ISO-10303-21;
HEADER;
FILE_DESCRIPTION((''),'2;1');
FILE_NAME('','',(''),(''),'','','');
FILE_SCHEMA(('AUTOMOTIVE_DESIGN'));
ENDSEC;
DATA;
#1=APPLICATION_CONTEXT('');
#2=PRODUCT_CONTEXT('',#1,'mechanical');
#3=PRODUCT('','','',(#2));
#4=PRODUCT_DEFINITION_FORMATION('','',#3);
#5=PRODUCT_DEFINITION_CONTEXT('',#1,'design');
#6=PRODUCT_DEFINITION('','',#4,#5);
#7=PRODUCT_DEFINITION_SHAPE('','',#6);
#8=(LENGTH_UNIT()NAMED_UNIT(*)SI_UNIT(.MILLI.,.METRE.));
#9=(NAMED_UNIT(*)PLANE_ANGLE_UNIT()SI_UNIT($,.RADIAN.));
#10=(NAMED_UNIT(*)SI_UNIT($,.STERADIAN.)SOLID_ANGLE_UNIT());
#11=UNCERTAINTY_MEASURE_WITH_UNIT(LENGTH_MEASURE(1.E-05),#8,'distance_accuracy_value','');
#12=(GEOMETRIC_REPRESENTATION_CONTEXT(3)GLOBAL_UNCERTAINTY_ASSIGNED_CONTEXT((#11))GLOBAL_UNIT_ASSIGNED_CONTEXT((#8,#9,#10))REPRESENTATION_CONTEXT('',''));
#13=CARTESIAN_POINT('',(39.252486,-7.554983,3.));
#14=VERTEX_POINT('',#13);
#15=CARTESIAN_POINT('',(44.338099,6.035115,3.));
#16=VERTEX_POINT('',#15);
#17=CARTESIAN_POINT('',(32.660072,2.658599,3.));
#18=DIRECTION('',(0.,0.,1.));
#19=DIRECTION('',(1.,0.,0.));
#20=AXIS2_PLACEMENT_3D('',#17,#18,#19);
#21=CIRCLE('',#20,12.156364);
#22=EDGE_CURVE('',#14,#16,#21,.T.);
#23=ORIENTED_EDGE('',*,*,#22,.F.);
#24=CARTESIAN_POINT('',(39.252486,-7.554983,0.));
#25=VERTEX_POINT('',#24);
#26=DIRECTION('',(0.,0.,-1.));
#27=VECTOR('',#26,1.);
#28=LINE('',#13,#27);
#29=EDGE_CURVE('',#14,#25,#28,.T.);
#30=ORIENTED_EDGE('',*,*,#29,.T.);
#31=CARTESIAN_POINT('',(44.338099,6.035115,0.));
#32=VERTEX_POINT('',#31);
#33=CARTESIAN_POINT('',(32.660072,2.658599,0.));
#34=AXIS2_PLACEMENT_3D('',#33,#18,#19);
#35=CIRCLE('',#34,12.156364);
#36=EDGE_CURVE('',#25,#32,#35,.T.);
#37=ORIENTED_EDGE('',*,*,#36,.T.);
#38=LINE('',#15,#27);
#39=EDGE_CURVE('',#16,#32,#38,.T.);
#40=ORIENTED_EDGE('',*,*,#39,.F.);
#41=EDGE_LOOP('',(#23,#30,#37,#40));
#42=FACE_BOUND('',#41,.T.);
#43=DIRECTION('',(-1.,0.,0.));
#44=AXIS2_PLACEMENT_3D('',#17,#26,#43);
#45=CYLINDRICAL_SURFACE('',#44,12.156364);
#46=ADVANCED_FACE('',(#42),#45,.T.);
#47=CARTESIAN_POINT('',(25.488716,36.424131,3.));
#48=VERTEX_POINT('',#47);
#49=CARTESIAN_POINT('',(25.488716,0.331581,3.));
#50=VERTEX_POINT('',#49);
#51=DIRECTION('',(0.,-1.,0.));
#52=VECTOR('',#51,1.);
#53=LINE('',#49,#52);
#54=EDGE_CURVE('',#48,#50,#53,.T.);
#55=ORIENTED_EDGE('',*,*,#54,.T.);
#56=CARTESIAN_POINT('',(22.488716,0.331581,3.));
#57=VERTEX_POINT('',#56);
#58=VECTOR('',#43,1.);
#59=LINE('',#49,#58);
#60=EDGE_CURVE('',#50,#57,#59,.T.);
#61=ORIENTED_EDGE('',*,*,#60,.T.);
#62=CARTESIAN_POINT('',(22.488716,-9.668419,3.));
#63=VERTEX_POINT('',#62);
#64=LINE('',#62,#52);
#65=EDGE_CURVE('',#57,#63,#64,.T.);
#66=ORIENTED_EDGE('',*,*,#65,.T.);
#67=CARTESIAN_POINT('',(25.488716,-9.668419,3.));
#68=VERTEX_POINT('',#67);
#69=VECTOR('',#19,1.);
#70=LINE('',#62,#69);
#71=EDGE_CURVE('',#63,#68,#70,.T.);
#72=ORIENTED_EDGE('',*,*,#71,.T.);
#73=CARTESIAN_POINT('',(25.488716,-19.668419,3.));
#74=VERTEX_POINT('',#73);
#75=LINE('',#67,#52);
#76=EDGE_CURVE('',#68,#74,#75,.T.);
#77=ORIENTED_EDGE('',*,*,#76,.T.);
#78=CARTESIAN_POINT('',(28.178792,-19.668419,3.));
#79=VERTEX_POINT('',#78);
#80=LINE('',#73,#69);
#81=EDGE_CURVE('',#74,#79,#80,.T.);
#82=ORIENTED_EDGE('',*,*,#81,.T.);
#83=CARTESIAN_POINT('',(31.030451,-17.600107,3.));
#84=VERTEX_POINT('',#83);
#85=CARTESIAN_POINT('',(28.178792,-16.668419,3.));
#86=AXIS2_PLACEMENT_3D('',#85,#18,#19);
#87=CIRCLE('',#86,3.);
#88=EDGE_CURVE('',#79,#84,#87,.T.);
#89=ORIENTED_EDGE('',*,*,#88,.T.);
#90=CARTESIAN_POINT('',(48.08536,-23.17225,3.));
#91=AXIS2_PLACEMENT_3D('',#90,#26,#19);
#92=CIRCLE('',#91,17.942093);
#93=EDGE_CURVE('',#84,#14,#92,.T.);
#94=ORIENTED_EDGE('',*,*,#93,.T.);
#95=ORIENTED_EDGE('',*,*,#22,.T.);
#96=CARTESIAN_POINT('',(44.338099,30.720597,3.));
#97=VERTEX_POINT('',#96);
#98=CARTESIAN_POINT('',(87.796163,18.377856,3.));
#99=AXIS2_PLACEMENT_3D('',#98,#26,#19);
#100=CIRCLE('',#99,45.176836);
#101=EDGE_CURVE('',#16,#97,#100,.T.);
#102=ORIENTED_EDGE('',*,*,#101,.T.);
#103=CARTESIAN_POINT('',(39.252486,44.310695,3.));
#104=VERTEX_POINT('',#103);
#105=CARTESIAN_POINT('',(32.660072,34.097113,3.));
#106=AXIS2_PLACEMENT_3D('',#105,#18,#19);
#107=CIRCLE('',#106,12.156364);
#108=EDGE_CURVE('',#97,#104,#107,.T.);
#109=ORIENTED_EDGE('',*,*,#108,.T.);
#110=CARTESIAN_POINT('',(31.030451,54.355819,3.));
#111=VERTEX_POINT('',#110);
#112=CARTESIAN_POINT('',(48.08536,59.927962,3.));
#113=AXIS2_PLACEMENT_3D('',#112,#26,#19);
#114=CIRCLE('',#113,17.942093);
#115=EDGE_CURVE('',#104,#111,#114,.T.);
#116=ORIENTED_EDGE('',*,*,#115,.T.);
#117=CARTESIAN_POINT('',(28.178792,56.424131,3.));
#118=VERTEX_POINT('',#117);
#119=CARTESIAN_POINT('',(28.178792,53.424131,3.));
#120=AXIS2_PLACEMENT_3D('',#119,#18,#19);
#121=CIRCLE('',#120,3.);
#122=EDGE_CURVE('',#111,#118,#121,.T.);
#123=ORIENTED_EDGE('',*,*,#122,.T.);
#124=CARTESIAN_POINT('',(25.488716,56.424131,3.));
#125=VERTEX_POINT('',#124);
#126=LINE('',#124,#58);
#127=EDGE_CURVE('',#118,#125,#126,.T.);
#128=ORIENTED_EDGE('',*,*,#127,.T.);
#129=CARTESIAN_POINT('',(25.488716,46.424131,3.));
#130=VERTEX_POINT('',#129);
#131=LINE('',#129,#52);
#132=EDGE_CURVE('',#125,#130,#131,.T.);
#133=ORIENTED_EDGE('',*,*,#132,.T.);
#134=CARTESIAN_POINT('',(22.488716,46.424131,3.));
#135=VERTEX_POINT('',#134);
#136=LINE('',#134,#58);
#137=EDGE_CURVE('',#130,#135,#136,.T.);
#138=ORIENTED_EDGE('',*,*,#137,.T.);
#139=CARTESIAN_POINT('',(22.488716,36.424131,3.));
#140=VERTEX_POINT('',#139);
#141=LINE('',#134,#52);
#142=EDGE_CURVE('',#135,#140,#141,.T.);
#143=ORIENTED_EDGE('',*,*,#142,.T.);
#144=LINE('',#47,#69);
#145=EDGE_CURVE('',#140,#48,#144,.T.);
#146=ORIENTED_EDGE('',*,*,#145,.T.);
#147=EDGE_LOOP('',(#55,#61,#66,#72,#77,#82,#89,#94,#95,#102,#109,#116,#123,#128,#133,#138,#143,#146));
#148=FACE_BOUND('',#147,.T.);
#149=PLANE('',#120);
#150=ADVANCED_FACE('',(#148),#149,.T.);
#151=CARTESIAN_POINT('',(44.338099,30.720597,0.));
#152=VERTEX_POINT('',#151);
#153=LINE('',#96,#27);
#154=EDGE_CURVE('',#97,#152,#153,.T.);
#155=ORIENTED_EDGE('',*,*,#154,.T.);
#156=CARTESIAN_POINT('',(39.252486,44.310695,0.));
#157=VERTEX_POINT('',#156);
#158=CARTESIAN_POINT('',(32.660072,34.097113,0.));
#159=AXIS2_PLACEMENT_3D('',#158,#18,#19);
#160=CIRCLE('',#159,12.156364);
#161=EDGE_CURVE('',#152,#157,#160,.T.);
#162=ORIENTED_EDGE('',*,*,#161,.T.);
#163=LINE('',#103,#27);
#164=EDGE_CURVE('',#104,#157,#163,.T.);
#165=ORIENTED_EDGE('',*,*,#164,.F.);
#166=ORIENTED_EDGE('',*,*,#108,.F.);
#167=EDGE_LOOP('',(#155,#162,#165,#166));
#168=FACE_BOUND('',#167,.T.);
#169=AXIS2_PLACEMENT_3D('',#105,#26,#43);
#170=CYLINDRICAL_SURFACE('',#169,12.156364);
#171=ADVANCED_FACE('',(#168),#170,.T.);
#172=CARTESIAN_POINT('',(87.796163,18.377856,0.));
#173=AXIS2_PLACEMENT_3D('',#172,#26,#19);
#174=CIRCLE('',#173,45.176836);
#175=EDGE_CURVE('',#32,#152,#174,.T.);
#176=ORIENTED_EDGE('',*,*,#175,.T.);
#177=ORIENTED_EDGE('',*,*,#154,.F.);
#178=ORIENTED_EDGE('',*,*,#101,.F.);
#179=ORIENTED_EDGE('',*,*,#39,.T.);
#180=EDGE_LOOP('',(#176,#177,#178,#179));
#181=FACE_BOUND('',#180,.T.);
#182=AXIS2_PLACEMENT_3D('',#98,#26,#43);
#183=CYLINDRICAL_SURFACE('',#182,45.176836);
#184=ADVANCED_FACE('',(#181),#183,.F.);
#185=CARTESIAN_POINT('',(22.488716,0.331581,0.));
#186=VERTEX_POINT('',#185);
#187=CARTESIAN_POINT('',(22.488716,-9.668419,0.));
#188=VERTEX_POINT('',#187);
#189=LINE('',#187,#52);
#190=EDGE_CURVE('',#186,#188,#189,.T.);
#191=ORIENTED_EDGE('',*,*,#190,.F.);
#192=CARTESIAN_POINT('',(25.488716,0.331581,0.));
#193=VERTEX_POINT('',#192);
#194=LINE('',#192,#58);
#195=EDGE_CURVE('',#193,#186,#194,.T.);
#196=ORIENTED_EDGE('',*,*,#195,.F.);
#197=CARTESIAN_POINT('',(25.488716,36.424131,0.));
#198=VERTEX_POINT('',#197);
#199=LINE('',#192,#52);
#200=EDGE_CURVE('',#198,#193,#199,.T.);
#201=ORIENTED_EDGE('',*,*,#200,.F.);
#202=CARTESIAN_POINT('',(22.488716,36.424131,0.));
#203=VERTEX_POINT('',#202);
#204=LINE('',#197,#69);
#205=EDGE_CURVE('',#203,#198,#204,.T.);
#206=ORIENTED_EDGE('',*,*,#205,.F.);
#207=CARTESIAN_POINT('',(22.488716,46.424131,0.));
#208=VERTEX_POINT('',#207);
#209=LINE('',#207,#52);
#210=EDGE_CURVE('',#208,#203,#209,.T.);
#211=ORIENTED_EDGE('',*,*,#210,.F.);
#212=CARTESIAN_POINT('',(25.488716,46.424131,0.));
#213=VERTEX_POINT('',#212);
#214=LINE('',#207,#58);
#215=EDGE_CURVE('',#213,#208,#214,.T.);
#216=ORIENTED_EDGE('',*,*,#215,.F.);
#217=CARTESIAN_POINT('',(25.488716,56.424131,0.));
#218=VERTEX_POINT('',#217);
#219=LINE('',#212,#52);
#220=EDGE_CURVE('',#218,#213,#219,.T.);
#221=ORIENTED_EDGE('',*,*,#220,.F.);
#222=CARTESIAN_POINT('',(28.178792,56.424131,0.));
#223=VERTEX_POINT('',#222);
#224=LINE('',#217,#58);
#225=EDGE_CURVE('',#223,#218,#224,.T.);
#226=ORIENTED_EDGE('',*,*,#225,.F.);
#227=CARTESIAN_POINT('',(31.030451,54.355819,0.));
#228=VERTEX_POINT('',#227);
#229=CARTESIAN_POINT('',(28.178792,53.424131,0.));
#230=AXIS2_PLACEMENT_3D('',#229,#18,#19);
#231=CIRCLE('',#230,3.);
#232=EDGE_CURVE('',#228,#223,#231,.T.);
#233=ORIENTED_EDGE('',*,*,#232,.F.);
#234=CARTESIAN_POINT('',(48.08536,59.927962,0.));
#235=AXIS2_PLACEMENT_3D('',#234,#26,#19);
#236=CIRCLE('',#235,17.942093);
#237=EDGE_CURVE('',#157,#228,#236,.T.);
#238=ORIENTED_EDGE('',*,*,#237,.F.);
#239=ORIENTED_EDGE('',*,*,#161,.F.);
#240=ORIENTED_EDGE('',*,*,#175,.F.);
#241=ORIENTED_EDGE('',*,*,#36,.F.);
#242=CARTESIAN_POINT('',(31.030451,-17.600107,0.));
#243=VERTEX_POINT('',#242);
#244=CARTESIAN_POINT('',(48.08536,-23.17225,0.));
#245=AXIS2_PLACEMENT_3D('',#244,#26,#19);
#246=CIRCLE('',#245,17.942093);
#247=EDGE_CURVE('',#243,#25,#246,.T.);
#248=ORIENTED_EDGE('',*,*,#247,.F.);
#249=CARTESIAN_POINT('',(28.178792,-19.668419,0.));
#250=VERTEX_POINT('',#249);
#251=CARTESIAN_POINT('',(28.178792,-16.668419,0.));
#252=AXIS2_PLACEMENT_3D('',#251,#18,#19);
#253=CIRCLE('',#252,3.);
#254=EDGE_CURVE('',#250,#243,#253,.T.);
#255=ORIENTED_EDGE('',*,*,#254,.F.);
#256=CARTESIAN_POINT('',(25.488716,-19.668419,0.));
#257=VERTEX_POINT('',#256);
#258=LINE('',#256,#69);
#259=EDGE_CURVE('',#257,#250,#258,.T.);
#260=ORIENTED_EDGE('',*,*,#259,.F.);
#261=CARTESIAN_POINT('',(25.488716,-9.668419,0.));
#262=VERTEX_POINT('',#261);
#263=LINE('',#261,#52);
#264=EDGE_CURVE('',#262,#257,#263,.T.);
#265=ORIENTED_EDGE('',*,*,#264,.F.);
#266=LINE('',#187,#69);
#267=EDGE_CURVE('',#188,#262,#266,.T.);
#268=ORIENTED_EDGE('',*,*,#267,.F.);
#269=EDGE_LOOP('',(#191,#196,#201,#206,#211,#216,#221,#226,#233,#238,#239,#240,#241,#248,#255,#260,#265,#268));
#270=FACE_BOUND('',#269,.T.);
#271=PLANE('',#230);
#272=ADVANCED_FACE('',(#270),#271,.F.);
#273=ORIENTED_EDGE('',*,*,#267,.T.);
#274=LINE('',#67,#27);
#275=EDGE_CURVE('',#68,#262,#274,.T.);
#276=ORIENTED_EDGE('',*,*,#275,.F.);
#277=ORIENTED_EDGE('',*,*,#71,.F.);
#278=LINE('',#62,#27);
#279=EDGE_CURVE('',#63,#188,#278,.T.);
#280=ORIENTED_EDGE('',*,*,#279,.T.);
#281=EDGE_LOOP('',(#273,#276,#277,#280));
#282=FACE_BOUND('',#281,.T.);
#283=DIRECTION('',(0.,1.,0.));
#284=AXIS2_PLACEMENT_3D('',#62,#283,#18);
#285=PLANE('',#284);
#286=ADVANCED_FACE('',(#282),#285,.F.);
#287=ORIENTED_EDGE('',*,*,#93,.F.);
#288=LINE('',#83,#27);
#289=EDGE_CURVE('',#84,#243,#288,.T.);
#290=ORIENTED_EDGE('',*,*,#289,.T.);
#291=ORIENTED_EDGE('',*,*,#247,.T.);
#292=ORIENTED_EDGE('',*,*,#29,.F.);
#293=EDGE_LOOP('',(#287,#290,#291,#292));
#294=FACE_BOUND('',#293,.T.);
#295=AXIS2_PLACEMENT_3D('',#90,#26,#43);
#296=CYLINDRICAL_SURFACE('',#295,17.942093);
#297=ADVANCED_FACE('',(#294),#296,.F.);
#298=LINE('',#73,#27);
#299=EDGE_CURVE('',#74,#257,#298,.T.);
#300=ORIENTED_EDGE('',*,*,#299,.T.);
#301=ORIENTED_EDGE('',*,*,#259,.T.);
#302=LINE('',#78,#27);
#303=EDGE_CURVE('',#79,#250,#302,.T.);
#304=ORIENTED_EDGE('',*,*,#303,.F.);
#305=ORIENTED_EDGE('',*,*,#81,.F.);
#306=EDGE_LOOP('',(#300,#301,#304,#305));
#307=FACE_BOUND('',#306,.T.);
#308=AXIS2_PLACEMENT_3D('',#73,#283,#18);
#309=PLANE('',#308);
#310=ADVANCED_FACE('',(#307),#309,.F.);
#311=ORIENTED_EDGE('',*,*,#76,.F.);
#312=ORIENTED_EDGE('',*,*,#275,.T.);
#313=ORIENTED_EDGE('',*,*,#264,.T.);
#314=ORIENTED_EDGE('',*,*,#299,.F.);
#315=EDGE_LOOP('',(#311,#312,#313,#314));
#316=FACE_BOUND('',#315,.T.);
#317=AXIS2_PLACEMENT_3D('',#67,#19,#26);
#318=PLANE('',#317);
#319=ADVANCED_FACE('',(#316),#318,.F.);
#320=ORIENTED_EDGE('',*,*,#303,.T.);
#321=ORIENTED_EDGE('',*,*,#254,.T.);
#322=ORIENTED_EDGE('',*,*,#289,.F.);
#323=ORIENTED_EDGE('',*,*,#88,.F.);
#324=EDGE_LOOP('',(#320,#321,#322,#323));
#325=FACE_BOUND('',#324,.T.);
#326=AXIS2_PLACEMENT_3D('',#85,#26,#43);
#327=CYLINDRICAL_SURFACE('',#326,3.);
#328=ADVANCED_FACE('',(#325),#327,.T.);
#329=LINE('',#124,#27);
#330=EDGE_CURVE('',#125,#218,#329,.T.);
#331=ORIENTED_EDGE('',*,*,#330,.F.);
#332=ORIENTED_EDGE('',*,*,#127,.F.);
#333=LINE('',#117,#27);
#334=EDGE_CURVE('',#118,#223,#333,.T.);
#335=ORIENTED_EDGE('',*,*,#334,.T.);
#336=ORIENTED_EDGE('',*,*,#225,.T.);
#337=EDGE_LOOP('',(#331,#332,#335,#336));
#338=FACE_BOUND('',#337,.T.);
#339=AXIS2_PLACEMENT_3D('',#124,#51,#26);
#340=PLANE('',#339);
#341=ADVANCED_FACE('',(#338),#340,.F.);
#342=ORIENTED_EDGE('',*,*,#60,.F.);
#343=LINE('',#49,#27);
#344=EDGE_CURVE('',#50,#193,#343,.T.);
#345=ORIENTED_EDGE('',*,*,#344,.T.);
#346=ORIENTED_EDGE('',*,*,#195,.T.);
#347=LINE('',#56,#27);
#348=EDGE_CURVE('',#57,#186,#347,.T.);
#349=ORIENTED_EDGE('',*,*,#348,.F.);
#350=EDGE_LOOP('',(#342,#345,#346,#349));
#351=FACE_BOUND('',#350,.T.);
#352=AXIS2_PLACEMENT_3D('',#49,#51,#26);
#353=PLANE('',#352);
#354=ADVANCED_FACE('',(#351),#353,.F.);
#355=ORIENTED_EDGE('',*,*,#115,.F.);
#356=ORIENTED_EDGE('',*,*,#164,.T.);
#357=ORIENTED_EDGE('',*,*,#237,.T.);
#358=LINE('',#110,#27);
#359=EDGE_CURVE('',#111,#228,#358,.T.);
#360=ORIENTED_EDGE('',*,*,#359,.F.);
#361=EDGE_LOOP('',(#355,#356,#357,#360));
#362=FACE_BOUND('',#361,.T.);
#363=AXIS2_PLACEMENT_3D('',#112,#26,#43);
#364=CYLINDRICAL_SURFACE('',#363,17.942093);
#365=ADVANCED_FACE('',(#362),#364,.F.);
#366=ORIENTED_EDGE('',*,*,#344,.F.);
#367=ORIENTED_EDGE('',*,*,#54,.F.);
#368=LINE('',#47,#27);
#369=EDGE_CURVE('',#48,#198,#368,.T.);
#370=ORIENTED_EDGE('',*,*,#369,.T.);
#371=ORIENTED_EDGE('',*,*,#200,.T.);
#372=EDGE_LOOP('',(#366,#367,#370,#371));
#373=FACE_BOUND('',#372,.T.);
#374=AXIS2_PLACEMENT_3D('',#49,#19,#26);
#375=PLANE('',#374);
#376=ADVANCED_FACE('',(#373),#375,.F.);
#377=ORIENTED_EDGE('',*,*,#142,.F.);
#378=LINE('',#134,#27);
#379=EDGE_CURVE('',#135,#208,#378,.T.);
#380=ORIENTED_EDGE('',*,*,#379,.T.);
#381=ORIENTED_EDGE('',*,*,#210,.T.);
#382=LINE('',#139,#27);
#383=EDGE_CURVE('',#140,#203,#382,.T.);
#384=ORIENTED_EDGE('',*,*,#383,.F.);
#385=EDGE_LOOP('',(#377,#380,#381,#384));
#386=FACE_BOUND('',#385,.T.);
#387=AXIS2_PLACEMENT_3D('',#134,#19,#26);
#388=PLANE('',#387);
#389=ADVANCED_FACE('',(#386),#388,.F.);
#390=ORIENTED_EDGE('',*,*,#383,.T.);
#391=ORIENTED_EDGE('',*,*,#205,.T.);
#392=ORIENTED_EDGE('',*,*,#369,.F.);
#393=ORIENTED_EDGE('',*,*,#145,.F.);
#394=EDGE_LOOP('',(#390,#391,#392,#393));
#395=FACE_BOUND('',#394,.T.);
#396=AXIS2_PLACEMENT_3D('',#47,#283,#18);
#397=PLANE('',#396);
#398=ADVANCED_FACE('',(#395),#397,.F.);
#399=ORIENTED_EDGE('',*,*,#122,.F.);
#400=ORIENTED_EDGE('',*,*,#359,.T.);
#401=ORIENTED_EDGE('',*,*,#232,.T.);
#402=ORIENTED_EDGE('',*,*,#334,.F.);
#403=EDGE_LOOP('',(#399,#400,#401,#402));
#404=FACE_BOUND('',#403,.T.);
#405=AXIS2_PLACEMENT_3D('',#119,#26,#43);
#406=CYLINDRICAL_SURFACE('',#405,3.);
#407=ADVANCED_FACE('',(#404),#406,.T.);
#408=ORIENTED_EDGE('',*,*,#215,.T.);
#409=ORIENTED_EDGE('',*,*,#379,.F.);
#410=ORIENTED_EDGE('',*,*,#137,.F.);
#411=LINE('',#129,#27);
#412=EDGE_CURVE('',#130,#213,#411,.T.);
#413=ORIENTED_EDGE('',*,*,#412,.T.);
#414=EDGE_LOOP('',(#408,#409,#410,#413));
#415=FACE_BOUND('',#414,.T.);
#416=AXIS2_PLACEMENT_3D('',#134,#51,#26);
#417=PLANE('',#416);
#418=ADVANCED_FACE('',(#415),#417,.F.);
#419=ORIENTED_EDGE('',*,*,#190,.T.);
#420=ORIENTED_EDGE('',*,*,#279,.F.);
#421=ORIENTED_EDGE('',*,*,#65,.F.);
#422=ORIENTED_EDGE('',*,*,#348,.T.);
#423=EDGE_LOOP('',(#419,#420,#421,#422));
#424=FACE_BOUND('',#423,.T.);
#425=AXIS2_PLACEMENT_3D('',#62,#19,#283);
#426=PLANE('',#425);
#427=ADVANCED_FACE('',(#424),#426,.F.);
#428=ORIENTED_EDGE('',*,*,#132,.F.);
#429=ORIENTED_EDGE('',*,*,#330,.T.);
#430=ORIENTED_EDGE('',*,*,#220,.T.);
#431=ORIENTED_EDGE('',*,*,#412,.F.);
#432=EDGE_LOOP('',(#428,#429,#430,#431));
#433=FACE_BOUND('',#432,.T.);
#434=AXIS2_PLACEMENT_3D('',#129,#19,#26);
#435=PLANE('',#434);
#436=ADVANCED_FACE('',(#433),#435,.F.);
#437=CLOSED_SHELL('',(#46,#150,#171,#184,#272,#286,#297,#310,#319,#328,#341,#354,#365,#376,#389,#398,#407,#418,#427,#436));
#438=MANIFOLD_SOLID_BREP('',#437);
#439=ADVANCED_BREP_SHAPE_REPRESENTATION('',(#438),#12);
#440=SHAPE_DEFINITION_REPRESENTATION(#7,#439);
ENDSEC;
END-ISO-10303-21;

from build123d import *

# Parameters (mm, degrees)
SALIENTE_EXTRUIR1_DEPTH = 3


with BuildPart() as part:
    # Model → Saliente-Extruir1 (new body)
    with BuildSketch(Plane.XY):
        with BuildLine():
            Line((25.488716275, 56.424131461), (28.178792169, 56.424131461))
            ThreePointArc((28.178792169, 56.424131461), (29.940174662, 55.85261488), (31.030450954, 54.355819272))
            ThreePointArc((31.030450954, 54.355819272), (34.201179997, 48.563621322), (39.252486332, 44.310694794))
            ThreePointArc((39.252486332, 44.310694794), (44.045367232, 38.357656573), (44.338099173, 30.720596968))
            ThreePointArc((44.338099173, 30.720596968), (42.619326371, 18.377856), (44.338099173, 6.035115032))
            ThreePointArc((44.338099173, 6.035115032), (44.045367232, -1.601944573), (39.252486332, -7.554982794))
            ThreePointArc((39.252486332, -7.554982794), (34.201179997, -11.807909322), (31.030450954, -17.600107272))
            ThreePointArc((31.030450954, -17.600107272), (29.940174662, -19.09690288), (28.178792169, -19.668419461))
            Line((28.178792169, -19.668419461), (25.488716275, -19.668419461))
            Line((25.488716275, -19.668419461), (25.488716275, -9.668419461))
            Line((25.488716275, -9.668419461), (22.488716275, -9.668419461))
            Line((22.488716275, -9.668419461), (22.488716275, 0.331580539))
            Line((22.488716275, 0.331580539), (25.488716275, 0.331580539))
            Line((25.488716275, 0.331580539), (25.488716275, 36.424131461))
            Line((25.488716275, 36.424131461), (22.488716275, 36.424131461))
            Line((22.488716275, 36.424131461), (22.488716275, 46.424131461))
            Line((22.488716275, 46.424131461), (25.488716275, 46.424131461))
            Line((25.488716275, 46.424131461), (25.488716275, 56.424131461))
        make_face()
    extrude(amount=SALIENTE_EXTRUIR1_DEPTH)


solid = part.part
